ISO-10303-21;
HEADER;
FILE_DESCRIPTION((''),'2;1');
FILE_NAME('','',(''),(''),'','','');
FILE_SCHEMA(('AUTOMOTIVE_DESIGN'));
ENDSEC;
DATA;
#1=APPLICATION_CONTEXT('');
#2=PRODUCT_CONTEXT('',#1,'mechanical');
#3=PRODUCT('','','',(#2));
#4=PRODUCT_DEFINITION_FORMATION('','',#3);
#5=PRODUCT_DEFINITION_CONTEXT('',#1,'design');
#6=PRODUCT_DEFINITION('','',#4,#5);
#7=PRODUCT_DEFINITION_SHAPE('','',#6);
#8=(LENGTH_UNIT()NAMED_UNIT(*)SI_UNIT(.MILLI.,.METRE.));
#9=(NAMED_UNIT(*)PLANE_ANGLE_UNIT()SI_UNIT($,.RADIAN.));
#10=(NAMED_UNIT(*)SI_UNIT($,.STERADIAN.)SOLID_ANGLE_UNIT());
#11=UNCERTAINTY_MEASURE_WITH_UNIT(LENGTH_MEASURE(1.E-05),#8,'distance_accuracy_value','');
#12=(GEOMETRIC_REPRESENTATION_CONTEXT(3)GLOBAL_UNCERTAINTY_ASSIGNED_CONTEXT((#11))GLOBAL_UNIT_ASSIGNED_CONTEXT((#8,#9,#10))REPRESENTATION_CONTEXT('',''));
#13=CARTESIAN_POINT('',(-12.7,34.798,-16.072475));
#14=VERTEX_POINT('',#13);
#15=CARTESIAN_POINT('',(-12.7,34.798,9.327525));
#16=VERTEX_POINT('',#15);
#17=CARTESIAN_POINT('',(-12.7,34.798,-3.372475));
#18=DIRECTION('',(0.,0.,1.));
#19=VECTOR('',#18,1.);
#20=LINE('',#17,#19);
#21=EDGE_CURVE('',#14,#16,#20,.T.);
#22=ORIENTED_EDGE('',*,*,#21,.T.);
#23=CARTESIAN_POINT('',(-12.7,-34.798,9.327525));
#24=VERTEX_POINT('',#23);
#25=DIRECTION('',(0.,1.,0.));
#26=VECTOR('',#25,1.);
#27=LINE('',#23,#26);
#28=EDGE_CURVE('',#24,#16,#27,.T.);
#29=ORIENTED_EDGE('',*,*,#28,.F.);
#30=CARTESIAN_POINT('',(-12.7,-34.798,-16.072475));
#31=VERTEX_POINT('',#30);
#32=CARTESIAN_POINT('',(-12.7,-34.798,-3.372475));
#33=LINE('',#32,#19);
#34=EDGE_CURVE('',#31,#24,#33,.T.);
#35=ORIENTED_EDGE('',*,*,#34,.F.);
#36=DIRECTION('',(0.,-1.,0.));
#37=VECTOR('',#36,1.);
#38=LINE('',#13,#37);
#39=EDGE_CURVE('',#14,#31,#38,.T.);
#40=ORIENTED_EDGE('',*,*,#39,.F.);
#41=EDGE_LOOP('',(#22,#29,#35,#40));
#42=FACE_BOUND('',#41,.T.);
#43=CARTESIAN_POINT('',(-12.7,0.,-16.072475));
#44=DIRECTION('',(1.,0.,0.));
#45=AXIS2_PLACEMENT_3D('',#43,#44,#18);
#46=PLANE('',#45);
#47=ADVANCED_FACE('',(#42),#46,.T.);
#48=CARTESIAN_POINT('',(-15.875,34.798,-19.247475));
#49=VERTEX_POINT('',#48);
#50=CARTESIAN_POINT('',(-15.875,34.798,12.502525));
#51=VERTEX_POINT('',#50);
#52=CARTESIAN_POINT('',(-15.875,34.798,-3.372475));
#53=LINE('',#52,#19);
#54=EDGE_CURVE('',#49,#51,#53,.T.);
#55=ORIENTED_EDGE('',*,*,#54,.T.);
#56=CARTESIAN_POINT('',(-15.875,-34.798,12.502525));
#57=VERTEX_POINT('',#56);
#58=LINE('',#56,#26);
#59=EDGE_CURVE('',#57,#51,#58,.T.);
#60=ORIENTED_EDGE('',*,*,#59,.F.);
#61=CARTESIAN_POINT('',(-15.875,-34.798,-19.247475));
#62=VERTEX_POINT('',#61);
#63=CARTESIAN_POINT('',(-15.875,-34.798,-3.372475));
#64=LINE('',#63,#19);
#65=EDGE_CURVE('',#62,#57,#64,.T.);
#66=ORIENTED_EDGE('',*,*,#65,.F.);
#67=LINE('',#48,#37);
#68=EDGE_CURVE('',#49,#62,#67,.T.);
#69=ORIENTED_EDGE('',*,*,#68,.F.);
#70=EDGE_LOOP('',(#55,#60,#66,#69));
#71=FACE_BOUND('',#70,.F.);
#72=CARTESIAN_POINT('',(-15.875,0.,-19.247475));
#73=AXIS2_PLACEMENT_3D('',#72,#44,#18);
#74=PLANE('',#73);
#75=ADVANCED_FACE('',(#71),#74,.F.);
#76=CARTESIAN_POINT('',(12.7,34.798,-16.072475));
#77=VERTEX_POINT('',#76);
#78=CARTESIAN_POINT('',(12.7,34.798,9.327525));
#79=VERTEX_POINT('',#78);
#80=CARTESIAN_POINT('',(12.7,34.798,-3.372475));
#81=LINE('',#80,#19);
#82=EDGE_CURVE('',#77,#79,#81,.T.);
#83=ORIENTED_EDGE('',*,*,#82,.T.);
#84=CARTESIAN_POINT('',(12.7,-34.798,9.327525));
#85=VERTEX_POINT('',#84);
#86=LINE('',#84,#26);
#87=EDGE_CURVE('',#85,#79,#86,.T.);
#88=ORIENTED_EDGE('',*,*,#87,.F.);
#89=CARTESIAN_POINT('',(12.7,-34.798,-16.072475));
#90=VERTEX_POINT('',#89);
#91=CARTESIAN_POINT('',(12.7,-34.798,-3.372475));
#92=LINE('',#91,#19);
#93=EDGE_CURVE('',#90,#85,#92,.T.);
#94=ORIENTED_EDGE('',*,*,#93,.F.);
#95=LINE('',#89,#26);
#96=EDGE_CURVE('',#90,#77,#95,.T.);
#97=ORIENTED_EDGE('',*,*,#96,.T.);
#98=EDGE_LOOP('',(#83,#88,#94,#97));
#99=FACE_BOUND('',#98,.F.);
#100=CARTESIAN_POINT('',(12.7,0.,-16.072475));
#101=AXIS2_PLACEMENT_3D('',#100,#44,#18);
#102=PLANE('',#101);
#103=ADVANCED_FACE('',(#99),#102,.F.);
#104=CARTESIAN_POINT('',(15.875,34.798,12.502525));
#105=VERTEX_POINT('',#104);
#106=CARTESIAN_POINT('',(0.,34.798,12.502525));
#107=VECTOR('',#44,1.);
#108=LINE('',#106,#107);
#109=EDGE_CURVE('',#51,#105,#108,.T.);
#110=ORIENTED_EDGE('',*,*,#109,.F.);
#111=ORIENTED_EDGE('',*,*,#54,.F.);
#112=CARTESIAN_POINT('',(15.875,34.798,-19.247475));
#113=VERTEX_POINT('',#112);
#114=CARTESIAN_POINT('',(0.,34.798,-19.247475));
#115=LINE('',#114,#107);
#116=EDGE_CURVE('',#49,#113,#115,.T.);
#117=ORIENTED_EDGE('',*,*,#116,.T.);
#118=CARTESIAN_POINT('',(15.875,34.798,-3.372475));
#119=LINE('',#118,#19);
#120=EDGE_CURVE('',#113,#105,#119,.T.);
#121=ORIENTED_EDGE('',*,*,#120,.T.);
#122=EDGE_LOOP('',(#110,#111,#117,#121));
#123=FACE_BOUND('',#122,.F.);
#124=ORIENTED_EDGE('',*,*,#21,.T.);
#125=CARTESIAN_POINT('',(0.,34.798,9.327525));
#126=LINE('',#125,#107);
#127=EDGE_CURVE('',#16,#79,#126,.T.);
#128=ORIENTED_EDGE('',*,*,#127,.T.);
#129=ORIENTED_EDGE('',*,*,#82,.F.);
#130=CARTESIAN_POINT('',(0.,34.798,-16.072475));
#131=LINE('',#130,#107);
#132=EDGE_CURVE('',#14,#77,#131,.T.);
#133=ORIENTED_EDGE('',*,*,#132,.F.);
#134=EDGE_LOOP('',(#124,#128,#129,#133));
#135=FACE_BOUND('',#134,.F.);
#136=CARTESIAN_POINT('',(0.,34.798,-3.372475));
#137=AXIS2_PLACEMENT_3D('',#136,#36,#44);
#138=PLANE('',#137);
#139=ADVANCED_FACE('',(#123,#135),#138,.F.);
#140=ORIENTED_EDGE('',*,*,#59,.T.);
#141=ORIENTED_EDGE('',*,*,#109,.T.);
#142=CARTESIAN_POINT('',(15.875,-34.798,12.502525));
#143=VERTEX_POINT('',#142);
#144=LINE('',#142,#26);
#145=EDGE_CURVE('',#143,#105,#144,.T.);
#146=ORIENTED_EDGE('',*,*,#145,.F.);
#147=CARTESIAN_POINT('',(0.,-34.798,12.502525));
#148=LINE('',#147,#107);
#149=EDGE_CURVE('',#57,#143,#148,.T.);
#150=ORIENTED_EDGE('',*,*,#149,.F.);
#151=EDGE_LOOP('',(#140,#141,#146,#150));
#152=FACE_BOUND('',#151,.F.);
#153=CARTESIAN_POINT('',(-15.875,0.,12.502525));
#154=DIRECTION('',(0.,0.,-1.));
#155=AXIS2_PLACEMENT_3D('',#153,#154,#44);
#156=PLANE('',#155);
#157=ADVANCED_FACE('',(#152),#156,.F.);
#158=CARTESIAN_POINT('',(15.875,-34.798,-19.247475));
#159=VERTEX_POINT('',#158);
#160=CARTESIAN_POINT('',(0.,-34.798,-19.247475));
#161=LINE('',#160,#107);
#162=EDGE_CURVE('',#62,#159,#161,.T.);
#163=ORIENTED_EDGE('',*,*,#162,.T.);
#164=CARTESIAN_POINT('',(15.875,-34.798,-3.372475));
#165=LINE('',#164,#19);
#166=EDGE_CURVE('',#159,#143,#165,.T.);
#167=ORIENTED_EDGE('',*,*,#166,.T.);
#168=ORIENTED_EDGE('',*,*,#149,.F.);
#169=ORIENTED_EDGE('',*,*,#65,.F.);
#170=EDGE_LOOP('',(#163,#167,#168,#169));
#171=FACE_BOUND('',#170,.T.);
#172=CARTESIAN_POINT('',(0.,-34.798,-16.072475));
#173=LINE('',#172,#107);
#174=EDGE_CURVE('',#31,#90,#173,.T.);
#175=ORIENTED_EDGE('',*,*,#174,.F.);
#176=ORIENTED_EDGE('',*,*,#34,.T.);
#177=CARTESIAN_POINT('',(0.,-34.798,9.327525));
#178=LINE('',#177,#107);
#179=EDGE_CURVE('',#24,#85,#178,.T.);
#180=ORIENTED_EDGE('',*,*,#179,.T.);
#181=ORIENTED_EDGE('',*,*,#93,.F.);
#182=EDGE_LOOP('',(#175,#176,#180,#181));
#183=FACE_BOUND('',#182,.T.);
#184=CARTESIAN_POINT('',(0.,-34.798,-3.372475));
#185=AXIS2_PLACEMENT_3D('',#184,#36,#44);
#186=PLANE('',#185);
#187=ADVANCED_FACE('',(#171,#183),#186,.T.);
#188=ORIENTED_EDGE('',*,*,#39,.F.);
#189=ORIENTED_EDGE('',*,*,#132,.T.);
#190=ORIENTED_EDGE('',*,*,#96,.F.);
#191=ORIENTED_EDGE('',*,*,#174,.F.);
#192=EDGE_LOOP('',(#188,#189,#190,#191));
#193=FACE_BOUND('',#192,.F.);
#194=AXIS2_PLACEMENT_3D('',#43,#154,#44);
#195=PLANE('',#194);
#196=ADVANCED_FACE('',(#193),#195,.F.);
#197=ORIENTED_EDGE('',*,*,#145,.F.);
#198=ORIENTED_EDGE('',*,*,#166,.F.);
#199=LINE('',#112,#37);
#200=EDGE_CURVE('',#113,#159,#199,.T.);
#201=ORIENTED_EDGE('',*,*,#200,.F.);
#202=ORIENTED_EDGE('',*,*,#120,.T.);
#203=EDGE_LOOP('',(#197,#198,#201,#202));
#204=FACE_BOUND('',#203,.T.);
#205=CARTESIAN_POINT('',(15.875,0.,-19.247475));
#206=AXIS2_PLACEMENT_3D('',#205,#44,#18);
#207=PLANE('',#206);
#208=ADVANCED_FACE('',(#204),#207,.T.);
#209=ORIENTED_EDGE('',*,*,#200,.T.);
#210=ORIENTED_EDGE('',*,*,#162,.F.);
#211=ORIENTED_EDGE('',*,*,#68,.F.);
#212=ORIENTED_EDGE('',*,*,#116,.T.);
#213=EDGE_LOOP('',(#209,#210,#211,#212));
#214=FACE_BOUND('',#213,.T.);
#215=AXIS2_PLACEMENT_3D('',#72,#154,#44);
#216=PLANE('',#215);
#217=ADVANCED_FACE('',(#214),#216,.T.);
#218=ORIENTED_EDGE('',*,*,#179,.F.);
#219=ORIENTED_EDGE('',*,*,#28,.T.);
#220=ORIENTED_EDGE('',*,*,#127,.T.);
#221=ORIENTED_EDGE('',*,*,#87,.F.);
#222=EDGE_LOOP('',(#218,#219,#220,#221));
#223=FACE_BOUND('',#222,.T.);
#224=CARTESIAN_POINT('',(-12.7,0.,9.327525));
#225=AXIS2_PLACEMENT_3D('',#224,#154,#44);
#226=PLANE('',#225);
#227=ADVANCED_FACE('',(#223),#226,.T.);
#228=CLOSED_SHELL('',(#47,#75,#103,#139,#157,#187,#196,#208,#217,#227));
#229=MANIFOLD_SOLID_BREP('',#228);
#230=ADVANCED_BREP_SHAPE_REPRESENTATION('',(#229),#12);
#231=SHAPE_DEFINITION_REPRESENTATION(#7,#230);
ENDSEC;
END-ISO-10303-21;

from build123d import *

# Parameters (mm, degrees)
F0_W     = 31.75
F0_H     = 31.75
F0_W_2   = 25.4
F0_H_2   = 25.4
F1_DEPTH = 34.798


with BuildPart() as f1:
    # F0 (on Front) → F1 (new body, symmetric)
    with BuildSketch(Plane.XZ):
        with Locations((0, -3.372475)):
            Rectangle(F0_W, F0_H)
        with Locations((0, -3.372475)):
            Rectangle(F0_W_2, F0_H_2, mode=Mode.SUBTRACT)
    extrude(amount=F1_DEPTH, both=True)


solid = f1.part
